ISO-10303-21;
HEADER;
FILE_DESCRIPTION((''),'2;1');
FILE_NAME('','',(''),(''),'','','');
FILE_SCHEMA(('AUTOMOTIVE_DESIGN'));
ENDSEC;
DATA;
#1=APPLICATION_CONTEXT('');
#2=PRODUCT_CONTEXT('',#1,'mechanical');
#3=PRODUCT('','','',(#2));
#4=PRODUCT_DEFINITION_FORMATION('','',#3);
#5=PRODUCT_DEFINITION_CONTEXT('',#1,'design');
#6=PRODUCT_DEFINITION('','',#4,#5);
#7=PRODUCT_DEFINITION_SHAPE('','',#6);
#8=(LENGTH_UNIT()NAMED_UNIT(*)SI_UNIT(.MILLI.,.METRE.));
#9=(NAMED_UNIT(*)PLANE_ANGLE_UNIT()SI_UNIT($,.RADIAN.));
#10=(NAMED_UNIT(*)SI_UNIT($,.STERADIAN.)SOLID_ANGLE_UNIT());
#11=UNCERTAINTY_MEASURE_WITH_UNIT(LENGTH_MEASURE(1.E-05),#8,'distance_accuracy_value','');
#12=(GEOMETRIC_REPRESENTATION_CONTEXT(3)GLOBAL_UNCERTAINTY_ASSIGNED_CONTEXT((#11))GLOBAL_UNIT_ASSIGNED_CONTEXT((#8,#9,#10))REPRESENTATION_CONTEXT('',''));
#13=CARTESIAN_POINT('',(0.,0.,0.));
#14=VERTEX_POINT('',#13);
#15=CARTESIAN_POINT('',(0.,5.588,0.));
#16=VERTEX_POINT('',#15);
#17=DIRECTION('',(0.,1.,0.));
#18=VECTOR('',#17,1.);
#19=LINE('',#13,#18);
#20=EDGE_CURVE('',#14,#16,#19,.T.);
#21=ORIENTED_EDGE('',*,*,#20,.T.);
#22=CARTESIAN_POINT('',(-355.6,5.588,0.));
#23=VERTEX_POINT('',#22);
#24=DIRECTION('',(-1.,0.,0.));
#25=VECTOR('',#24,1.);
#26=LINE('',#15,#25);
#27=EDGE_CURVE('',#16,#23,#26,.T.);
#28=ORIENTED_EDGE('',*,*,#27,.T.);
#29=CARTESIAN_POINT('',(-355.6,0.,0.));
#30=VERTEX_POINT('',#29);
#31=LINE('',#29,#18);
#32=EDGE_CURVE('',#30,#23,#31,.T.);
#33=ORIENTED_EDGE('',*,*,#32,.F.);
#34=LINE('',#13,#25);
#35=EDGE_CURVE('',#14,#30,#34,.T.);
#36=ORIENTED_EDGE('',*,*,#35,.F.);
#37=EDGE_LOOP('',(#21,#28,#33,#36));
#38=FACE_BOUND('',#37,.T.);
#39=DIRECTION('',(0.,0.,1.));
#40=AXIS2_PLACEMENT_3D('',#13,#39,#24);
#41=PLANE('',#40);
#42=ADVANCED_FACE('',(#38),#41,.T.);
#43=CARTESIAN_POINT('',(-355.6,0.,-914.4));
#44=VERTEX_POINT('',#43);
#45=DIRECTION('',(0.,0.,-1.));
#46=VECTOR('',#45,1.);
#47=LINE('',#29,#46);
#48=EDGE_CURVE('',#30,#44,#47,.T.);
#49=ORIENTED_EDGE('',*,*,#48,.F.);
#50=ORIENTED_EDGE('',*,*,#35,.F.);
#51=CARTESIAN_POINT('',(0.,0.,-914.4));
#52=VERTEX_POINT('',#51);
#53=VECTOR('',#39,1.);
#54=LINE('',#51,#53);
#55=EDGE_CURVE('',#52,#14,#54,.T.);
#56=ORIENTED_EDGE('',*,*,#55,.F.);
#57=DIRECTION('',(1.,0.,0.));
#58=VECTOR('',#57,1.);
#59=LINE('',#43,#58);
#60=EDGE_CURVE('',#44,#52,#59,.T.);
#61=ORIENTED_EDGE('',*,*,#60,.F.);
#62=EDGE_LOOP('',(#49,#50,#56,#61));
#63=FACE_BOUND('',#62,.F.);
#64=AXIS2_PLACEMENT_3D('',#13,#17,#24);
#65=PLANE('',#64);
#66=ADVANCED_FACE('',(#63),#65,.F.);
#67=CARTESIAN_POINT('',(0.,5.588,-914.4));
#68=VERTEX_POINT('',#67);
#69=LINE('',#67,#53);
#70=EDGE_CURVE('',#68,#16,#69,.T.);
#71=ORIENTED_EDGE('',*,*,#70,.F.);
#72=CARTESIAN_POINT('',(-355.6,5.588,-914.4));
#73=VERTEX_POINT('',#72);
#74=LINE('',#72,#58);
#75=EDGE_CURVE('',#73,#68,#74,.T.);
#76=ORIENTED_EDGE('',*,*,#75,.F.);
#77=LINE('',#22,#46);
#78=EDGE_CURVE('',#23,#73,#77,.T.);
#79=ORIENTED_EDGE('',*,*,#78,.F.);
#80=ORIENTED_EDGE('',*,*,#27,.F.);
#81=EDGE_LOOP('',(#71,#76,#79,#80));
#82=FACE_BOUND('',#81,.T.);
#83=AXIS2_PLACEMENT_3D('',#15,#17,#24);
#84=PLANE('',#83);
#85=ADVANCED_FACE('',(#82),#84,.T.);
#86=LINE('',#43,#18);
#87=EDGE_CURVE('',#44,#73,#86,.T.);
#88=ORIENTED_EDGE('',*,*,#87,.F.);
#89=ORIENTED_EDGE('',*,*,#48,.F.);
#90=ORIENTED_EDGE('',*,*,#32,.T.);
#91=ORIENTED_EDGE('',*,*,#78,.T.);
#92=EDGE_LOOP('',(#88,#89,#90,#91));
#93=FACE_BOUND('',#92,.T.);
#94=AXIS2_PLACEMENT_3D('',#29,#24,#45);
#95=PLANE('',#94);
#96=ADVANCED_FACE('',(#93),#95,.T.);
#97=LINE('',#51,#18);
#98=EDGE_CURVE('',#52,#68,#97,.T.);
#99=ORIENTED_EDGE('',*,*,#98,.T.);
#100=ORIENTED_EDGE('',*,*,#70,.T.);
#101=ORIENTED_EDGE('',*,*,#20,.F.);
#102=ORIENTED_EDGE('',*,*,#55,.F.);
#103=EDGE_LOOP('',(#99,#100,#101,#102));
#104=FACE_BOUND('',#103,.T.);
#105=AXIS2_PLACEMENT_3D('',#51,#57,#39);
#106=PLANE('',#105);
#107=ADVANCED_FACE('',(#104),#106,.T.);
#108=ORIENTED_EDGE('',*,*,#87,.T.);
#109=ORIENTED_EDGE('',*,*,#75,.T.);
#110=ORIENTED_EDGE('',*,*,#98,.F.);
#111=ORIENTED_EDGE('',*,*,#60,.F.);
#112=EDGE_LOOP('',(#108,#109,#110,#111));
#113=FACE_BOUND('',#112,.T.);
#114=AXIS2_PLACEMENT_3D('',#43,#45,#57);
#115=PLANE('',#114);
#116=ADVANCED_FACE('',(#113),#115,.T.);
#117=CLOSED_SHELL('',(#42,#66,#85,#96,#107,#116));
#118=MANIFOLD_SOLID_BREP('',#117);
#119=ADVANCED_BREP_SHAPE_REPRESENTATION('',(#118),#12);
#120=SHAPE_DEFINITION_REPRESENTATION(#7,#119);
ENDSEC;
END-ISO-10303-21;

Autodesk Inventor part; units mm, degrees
ref_plane "YZ Plane" through (0, 0, 0) normal (1, 0, 0) x (0, 1, 0)
ref_plane "XZ Plane" through (0, 0, 0) normal (0, 1, 0) x (-1, 0, 0)
ref_plane "XY Plane" through (0, 0, 0) normal (0, 0, 1) x (1, 0, 0)
sketch "Sketch1" plane through (0, 0, 0) normal (0, 1, 0) x (-1, 0, 0)
  line L0 (0, 0) -> (355.6, 0)
  line L1 (355.6, 0) -> (355.6, -914.4)
  line L2 (355.6, -914.4) -> (0, -914.4)
  line L3 (0, -914.4) -> (0, 0)
  point P0 (177.8, -914.4)
  dimension "d0" = 914.4
  dimension "d1" = 355.6
extrude "Extrusion1" add sketch "Sketch1" along normal blind 5.588
properties part number "Cheap polycarp"
